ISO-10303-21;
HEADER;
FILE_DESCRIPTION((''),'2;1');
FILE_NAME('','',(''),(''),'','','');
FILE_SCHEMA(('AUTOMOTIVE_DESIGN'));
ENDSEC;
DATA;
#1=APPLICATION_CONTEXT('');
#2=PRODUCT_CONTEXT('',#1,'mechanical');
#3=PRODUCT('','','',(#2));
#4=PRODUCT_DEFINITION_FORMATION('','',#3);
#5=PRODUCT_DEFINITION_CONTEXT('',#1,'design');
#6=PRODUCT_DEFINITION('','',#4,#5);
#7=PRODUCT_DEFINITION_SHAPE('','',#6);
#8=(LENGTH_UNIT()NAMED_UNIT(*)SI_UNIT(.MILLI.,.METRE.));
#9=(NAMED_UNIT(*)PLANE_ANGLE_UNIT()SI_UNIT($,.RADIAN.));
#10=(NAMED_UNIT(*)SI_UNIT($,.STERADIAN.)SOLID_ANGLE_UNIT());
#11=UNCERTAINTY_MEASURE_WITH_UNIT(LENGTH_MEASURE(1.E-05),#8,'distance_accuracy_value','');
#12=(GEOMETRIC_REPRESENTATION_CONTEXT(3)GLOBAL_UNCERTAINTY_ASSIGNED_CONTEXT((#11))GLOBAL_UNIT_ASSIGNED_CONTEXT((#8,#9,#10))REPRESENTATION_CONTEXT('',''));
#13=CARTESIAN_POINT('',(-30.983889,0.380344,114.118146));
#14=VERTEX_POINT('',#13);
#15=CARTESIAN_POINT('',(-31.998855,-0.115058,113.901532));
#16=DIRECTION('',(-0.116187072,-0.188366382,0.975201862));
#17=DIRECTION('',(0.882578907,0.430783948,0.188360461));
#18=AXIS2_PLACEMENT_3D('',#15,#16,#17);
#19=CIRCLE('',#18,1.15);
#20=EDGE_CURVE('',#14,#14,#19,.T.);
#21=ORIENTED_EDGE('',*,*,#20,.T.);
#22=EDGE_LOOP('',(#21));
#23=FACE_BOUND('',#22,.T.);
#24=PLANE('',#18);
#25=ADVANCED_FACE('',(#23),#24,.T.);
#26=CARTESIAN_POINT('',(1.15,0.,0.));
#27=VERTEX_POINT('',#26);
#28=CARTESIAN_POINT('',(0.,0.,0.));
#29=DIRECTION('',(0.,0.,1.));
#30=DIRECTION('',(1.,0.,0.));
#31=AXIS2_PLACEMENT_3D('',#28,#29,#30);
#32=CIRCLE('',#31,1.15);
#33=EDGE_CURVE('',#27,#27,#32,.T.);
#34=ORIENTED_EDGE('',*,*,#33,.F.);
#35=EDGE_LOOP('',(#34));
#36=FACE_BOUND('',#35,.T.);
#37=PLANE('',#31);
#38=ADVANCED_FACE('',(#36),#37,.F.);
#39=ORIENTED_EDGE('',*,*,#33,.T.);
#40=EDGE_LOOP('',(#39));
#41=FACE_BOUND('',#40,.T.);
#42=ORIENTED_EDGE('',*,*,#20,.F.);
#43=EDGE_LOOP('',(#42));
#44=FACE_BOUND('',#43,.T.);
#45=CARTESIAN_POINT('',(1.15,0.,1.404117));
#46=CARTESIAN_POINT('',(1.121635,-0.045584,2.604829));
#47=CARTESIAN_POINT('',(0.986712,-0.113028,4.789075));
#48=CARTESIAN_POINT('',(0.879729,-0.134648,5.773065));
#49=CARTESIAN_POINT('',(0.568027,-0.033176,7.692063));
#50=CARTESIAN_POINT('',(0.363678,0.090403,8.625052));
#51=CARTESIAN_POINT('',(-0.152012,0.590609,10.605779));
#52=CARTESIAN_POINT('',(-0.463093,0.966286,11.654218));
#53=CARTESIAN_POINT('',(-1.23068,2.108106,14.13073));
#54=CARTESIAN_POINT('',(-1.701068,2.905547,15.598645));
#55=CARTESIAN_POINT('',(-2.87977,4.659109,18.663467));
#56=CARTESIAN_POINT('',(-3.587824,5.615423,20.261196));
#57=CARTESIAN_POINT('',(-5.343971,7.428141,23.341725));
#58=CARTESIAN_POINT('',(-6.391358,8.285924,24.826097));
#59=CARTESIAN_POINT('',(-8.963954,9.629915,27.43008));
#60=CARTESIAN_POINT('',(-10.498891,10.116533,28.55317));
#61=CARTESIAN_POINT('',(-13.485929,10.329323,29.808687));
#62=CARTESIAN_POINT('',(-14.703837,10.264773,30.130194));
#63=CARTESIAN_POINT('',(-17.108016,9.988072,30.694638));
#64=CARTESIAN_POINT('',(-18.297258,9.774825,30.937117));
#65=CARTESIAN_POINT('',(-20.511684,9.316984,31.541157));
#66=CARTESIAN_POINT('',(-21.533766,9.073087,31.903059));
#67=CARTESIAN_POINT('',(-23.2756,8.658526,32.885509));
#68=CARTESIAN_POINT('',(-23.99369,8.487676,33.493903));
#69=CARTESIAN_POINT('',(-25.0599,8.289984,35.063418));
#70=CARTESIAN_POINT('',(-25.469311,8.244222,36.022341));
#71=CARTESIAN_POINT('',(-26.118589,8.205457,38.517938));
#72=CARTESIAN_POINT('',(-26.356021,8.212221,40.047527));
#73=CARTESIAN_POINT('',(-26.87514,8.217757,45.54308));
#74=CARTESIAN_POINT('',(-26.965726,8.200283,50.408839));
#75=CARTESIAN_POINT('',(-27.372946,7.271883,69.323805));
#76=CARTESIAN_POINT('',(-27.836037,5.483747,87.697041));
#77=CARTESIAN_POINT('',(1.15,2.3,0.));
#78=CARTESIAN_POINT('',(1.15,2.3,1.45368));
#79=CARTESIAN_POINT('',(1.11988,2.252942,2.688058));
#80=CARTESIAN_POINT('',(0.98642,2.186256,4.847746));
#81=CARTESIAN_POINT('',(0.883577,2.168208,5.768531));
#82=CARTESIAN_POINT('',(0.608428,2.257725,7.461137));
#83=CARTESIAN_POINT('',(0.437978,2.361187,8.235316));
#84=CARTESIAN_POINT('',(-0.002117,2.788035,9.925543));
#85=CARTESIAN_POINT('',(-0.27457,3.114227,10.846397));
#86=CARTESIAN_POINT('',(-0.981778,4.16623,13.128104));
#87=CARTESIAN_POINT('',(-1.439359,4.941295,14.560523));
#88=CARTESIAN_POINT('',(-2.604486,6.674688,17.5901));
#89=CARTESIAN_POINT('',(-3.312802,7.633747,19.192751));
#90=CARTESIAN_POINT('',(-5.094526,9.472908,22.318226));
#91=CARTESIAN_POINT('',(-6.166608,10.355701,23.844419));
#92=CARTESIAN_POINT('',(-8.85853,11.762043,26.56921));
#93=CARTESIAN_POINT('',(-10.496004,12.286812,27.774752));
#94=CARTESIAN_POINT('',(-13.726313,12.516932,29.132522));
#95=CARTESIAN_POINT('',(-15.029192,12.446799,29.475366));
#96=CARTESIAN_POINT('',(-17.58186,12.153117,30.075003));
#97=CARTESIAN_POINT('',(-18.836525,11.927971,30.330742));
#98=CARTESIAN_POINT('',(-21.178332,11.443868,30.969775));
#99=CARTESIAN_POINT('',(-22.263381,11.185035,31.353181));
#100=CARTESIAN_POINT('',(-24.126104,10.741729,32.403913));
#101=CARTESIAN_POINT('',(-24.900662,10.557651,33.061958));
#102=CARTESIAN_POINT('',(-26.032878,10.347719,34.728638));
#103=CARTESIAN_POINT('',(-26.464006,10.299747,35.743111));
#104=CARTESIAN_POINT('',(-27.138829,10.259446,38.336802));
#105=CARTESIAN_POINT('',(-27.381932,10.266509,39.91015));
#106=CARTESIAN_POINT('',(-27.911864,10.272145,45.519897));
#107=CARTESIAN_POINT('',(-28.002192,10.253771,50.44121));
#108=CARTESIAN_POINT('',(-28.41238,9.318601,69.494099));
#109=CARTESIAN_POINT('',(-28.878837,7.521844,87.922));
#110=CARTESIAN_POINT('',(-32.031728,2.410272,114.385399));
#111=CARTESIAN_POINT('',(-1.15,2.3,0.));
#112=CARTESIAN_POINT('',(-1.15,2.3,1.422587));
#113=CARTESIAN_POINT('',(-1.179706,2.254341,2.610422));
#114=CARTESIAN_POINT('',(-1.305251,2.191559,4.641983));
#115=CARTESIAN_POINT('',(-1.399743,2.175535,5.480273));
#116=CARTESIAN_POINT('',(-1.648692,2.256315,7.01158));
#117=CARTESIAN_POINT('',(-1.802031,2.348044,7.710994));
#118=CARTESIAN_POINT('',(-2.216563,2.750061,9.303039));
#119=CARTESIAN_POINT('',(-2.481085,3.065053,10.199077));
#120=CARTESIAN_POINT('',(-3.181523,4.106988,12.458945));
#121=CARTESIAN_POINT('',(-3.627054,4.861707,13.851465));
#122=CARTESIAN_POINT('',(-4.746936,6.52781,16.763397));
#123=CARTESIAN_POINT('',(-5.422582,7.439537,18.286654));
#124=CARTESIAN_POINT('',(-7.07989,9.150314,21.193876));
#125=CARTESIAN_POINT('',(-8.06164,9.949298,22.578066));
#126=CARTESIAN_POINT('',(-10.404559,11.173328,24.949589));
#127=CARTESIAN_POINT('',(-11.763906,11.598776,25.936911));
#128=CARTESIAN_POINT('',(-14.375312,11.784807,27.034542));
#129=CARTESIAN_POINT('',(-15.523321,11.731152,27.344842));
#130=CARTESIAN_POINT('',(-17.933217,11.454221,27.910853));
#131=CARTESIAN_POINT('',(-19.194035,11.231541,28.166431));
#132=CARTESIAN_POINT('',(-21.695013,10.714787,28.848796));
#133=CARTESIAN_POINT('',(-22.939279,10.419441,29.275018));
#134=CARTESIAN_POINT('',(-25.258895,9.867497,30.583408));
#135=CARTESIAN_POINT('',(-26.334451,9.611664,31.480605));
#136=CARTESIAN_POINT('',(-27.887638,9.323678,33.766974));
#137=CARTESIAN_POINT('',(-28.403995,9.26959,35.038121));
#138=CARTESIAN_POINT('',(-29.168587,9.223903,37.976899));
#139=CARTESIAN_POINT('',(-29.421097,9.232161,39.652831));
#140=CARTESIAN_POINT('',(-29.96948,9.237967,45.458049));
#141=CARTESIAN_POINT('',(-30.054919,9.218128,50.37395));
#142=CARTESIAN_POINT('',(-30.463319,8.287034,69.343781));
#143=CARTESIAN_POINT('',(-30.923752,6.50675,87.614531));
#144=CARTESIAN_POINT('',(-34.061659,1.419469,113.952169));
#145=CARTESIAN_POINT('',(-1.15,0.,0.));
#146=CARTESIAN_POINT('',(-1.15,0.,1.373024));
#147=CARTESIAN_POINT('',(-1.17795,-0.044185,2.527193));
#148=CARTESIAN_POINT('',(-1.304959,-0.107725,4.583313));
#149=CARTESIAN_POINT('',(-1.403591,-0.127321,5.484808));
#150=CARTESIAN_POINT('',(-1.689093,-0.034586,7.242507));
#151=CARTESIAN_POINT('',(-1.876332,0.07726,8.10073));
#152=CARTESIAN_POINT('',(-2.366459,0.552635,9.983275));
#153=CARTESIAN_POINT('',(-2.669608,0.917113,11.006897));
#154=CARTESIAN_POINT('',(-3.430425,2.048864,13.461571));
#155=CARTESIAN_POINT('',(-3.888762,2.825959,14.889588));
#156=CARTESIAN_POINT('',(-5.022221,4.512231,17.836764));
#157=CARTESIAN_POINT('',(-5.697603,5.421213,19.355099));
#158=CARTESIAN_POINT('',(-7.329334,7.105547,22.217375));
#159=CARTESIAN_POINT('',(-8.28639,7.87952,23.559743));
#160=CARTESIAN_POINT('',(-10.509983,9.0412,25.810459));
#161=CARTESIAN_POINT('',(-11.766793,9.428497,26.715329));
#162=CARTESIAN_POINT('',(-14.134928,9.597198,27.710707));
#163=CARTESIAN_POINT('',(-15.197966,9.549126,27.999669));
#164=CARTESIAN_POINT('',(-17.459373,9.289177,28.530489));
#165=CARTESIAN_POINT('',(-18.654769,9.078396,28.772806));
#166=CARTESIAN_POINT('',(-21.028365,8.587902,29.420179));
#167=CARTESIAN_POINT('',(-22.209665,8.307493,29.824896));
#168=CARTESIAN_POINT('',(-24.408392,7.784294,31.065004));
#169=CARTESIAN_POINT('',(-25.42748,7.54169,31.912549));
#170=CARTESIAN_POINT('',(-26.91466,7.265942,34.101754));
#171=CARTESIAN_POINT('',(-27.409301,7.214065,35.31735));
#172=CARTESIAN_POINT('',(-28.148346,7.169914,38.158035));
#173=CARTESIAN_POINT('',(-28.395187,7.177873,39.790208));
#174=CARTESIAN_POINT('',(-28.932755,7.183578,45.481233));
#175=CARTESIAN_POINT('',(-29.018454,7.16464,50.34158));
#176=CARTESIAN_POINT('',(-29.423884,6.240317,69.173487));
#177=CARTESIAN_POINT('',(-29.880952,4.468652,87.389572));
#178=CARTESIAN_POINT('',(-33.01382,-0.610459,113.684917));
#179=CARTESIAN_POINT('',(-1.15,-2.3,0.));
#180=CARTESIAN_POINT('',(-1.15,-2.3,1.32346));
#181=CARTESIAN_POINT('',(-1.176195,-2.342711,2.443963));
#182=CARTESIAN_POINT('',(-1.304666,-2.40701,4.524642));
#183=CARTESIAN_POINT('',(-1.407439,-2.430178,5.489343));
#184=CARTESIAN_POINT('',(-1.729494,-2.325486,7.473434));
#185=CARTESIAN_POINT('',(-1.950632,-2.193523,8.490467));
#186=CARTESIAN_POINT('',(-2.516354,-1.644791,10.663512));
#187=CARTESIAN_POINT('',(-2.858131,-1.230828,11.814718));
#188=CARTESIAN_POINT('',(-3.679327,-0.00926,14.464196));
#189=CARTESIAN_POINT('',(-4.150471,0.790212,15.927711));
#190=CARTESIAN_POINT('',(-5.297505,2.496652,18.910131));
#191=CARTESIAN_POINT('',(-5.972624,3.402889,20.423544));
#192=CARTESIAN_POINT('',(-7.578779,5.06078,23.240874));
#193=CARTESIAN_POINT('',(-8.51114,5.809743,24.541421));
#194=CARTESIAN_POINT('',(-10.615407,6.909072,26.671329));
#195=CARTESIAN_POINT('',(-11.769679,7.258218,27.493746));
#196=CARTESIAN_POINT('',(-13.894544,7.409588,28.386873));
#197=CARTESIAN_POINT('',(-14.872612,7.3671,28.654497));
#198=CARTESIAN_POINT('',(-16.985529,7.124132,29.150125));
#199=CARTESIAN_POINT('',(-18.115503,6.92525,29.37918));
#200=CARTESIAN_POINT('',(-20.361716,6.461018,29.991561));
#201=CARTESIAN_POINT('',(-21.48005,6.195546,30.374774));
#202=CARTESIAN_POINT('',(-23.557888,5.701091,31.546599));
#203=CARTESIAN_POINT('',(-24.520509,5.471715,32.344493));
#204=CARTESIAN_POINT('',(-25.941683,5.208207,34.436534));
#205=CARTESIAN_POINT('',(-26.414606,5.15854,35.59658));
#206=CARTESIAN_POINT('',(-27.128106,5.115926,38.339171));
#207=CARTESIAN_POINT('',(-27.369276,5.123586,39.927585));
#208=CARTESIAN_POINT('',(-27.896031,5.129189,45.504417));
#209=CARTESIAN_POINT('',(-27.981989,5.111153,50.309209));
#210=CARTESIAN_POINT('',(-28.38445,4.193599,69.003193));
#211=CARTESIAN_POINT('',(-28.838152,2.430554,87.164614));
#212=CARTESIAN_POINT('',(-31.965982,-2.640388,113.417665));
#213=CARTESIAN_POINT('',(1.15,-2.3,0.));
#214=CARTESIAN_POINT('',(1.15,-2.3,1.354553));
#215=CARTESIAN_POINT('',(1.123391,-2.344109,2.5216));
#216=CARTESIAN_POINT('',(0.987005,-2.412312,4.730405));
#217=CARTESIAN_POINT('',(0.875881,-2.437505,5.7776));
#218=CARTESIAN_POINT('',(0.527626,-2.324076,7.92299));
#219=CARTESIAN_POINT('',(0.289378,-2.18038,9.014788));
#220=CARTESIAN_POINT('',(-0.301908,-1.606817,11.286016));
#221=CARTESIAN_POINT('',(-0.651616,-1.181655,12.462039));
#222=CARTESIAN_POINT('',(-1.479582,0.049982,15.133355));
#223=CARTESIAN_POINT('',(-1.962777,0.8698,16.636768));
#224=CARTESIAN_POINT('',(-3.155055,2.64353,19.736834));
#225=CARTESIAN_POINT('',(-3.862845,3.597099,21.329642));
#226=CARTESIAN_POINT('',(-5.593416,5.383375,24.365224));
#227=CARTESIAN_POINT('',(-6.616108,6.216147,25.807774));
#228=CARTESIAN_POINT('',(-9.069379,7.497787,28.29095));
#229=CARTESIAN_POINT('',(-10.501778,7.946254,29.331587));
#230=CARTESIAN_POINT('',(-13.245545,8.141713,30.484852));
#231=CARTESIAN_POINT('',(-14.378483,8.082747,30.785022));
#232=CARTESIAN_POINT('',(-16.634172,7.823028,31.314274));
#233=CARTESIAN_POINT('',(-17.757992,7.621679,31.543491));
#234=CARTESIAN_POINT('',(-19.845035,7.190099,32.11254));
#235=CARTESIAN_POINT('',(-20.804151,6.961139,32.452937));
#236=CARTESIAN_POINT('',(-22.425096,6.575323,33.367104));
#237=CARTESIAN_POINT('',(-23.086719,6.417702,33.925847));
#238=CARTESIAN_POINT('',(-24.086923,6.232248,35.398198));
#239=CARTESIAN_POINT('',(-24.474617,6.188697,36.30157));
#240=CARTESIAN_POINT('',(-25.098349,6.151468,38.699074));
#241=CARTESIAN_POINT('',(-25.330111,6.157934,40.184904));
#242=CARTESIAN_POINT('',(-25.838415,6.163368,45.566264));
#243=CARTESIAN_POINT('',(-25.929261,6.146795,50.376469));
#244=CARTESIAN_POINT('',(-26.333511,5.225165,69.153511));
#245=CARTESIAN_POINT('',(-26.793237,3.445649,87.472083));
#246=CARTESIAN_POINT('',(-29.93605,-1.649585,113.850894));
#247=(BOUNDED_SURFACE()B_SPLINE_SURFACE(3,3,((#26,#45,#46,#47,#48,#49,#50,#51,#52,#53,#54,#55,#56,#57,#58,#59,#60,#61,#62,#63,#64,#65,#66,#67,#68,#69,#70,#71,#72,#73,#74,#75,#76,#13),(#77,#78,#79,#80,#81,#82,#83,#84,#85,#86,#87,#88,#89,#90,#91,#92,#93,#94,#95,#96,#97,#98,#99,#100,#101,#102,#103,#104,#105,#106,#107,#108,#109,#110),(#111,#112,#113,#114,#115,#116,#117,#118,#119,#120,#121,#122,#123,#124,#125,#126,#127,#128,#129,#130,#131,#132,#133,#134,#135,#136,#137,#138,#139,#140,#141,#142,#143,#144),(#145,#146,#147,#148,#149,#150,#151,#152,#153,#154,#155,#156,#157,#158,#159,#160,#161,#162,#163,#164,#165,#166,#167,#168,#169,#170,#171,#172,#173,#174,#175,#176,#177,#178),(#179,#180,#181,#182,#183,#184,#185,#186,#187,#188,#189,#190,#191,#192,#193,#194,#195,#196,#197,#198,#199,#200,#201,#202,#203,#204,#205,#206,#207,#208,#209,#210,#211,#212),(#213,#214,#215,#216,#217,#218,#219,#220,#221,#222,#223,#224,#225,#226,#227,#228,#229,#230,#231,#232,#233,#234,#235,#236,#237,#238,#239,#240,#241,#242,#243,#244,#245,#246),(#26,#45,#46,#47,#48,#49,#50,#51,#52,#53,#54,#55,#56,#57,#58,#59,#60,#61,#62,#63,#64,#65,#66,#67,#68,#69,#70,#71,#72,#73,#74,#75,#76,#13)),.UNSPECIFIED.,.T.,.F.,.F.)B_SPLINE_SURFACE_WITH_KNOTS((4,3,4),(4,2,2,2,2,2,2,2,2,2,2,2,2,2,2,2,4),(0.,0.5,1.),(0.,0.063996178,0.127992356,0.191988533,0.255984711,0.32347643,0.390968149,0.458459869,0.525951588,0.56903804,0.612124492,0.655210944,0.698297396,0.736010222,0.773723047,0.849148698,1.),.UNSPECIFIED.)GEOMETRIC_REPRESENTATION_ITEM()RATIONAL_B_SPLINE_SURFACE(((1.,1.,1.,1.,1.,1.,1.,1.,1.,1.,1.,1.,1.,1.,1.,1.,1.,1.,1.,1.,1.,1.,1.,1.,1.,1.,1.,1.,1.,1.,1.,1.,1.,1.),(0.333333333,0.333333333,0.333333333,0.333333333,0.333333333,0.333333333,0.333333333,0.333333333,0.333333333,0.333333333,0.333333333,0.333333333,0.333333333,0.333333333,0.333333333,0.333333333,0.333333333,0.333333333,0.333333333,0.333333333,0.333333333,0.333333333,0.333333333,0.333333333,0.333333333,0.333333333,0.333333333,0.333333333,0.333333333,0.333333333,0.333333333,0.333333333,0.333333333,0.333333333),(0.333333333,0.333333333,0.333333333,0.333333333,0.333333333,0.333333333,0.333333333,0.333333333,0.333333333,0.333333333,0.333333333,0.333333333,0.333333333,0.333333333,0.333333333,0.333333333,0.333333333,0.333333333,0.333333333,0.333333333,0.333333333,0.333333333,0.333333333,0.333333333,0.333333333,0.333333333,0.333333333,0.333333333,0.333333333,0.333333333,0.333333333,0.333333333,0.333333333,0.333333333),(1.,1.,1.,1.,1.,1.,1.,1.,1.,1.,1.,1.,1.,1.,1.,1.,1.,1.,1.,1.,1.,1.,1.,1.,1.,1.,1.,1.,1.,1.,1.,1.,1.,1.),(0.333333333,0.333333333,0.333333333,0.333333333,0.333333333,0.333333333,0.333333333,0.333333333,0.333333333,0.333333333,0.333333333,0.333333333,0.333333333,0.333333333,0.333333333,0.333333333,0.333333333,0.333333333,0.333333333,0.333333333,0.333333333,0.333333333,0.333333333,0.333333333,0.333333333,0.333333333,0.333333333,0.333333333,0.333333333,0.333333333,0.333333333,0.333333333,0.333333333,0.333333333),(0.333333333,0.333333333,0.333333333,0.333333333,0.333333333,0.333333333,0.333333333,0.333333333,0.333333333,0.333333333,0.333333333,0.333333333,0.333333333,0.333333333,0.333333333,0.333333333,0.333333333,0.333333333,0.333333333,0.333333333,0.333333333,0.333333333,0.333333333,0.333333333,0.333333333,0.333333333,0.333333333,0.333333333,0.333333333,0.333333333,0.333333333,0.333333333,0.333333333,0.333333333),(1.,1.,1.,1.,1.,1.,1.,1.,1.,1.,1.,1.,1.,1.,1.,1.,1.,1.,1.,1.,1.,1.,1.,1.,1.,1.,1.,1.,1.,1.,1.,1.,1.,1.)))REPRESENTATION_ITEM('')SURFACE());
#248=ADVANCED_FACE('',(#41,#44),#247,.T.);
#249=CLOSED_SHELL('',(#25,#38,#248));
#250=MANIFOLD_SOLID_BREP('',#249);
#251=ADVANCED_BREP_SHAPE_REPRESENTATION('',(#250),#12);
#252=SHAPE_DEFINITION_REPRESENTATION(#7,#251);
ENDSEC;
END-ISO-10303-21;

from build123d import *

# Parameters (mm, degrees)
SKETCH1_R = 1.15


with BuildPart() as part:
    # Sweep1: sweep along a curve in space
    with BuildLine() as sweep1_path:
        add(Edge.make_bspline(
            [(0, 0, 0), (0, 0, 5.554280497), (-0.925650591, -1.475521411, 10.025563592), (-7.968179119, 12.994599316, 30.668290831), (-32.695089228, 5.254873483, 29.033980347), (-25.718134594, 10.067456397, 61.185081988), (-31.99885467, -0.11505787, 113.90153164)],
            knots=[0, 0, 0, 0, 0.255984711, 0.525951588, 0.698297396, 1, 1, 1, 1], degree=3))
    # Sketch1 → Sweep1 (sweep)
    with BuildSketch(Plane.XY):
        Circle(SKETCH1_R)
    sweep(path=sweep1_path.line)


solid = part.part
